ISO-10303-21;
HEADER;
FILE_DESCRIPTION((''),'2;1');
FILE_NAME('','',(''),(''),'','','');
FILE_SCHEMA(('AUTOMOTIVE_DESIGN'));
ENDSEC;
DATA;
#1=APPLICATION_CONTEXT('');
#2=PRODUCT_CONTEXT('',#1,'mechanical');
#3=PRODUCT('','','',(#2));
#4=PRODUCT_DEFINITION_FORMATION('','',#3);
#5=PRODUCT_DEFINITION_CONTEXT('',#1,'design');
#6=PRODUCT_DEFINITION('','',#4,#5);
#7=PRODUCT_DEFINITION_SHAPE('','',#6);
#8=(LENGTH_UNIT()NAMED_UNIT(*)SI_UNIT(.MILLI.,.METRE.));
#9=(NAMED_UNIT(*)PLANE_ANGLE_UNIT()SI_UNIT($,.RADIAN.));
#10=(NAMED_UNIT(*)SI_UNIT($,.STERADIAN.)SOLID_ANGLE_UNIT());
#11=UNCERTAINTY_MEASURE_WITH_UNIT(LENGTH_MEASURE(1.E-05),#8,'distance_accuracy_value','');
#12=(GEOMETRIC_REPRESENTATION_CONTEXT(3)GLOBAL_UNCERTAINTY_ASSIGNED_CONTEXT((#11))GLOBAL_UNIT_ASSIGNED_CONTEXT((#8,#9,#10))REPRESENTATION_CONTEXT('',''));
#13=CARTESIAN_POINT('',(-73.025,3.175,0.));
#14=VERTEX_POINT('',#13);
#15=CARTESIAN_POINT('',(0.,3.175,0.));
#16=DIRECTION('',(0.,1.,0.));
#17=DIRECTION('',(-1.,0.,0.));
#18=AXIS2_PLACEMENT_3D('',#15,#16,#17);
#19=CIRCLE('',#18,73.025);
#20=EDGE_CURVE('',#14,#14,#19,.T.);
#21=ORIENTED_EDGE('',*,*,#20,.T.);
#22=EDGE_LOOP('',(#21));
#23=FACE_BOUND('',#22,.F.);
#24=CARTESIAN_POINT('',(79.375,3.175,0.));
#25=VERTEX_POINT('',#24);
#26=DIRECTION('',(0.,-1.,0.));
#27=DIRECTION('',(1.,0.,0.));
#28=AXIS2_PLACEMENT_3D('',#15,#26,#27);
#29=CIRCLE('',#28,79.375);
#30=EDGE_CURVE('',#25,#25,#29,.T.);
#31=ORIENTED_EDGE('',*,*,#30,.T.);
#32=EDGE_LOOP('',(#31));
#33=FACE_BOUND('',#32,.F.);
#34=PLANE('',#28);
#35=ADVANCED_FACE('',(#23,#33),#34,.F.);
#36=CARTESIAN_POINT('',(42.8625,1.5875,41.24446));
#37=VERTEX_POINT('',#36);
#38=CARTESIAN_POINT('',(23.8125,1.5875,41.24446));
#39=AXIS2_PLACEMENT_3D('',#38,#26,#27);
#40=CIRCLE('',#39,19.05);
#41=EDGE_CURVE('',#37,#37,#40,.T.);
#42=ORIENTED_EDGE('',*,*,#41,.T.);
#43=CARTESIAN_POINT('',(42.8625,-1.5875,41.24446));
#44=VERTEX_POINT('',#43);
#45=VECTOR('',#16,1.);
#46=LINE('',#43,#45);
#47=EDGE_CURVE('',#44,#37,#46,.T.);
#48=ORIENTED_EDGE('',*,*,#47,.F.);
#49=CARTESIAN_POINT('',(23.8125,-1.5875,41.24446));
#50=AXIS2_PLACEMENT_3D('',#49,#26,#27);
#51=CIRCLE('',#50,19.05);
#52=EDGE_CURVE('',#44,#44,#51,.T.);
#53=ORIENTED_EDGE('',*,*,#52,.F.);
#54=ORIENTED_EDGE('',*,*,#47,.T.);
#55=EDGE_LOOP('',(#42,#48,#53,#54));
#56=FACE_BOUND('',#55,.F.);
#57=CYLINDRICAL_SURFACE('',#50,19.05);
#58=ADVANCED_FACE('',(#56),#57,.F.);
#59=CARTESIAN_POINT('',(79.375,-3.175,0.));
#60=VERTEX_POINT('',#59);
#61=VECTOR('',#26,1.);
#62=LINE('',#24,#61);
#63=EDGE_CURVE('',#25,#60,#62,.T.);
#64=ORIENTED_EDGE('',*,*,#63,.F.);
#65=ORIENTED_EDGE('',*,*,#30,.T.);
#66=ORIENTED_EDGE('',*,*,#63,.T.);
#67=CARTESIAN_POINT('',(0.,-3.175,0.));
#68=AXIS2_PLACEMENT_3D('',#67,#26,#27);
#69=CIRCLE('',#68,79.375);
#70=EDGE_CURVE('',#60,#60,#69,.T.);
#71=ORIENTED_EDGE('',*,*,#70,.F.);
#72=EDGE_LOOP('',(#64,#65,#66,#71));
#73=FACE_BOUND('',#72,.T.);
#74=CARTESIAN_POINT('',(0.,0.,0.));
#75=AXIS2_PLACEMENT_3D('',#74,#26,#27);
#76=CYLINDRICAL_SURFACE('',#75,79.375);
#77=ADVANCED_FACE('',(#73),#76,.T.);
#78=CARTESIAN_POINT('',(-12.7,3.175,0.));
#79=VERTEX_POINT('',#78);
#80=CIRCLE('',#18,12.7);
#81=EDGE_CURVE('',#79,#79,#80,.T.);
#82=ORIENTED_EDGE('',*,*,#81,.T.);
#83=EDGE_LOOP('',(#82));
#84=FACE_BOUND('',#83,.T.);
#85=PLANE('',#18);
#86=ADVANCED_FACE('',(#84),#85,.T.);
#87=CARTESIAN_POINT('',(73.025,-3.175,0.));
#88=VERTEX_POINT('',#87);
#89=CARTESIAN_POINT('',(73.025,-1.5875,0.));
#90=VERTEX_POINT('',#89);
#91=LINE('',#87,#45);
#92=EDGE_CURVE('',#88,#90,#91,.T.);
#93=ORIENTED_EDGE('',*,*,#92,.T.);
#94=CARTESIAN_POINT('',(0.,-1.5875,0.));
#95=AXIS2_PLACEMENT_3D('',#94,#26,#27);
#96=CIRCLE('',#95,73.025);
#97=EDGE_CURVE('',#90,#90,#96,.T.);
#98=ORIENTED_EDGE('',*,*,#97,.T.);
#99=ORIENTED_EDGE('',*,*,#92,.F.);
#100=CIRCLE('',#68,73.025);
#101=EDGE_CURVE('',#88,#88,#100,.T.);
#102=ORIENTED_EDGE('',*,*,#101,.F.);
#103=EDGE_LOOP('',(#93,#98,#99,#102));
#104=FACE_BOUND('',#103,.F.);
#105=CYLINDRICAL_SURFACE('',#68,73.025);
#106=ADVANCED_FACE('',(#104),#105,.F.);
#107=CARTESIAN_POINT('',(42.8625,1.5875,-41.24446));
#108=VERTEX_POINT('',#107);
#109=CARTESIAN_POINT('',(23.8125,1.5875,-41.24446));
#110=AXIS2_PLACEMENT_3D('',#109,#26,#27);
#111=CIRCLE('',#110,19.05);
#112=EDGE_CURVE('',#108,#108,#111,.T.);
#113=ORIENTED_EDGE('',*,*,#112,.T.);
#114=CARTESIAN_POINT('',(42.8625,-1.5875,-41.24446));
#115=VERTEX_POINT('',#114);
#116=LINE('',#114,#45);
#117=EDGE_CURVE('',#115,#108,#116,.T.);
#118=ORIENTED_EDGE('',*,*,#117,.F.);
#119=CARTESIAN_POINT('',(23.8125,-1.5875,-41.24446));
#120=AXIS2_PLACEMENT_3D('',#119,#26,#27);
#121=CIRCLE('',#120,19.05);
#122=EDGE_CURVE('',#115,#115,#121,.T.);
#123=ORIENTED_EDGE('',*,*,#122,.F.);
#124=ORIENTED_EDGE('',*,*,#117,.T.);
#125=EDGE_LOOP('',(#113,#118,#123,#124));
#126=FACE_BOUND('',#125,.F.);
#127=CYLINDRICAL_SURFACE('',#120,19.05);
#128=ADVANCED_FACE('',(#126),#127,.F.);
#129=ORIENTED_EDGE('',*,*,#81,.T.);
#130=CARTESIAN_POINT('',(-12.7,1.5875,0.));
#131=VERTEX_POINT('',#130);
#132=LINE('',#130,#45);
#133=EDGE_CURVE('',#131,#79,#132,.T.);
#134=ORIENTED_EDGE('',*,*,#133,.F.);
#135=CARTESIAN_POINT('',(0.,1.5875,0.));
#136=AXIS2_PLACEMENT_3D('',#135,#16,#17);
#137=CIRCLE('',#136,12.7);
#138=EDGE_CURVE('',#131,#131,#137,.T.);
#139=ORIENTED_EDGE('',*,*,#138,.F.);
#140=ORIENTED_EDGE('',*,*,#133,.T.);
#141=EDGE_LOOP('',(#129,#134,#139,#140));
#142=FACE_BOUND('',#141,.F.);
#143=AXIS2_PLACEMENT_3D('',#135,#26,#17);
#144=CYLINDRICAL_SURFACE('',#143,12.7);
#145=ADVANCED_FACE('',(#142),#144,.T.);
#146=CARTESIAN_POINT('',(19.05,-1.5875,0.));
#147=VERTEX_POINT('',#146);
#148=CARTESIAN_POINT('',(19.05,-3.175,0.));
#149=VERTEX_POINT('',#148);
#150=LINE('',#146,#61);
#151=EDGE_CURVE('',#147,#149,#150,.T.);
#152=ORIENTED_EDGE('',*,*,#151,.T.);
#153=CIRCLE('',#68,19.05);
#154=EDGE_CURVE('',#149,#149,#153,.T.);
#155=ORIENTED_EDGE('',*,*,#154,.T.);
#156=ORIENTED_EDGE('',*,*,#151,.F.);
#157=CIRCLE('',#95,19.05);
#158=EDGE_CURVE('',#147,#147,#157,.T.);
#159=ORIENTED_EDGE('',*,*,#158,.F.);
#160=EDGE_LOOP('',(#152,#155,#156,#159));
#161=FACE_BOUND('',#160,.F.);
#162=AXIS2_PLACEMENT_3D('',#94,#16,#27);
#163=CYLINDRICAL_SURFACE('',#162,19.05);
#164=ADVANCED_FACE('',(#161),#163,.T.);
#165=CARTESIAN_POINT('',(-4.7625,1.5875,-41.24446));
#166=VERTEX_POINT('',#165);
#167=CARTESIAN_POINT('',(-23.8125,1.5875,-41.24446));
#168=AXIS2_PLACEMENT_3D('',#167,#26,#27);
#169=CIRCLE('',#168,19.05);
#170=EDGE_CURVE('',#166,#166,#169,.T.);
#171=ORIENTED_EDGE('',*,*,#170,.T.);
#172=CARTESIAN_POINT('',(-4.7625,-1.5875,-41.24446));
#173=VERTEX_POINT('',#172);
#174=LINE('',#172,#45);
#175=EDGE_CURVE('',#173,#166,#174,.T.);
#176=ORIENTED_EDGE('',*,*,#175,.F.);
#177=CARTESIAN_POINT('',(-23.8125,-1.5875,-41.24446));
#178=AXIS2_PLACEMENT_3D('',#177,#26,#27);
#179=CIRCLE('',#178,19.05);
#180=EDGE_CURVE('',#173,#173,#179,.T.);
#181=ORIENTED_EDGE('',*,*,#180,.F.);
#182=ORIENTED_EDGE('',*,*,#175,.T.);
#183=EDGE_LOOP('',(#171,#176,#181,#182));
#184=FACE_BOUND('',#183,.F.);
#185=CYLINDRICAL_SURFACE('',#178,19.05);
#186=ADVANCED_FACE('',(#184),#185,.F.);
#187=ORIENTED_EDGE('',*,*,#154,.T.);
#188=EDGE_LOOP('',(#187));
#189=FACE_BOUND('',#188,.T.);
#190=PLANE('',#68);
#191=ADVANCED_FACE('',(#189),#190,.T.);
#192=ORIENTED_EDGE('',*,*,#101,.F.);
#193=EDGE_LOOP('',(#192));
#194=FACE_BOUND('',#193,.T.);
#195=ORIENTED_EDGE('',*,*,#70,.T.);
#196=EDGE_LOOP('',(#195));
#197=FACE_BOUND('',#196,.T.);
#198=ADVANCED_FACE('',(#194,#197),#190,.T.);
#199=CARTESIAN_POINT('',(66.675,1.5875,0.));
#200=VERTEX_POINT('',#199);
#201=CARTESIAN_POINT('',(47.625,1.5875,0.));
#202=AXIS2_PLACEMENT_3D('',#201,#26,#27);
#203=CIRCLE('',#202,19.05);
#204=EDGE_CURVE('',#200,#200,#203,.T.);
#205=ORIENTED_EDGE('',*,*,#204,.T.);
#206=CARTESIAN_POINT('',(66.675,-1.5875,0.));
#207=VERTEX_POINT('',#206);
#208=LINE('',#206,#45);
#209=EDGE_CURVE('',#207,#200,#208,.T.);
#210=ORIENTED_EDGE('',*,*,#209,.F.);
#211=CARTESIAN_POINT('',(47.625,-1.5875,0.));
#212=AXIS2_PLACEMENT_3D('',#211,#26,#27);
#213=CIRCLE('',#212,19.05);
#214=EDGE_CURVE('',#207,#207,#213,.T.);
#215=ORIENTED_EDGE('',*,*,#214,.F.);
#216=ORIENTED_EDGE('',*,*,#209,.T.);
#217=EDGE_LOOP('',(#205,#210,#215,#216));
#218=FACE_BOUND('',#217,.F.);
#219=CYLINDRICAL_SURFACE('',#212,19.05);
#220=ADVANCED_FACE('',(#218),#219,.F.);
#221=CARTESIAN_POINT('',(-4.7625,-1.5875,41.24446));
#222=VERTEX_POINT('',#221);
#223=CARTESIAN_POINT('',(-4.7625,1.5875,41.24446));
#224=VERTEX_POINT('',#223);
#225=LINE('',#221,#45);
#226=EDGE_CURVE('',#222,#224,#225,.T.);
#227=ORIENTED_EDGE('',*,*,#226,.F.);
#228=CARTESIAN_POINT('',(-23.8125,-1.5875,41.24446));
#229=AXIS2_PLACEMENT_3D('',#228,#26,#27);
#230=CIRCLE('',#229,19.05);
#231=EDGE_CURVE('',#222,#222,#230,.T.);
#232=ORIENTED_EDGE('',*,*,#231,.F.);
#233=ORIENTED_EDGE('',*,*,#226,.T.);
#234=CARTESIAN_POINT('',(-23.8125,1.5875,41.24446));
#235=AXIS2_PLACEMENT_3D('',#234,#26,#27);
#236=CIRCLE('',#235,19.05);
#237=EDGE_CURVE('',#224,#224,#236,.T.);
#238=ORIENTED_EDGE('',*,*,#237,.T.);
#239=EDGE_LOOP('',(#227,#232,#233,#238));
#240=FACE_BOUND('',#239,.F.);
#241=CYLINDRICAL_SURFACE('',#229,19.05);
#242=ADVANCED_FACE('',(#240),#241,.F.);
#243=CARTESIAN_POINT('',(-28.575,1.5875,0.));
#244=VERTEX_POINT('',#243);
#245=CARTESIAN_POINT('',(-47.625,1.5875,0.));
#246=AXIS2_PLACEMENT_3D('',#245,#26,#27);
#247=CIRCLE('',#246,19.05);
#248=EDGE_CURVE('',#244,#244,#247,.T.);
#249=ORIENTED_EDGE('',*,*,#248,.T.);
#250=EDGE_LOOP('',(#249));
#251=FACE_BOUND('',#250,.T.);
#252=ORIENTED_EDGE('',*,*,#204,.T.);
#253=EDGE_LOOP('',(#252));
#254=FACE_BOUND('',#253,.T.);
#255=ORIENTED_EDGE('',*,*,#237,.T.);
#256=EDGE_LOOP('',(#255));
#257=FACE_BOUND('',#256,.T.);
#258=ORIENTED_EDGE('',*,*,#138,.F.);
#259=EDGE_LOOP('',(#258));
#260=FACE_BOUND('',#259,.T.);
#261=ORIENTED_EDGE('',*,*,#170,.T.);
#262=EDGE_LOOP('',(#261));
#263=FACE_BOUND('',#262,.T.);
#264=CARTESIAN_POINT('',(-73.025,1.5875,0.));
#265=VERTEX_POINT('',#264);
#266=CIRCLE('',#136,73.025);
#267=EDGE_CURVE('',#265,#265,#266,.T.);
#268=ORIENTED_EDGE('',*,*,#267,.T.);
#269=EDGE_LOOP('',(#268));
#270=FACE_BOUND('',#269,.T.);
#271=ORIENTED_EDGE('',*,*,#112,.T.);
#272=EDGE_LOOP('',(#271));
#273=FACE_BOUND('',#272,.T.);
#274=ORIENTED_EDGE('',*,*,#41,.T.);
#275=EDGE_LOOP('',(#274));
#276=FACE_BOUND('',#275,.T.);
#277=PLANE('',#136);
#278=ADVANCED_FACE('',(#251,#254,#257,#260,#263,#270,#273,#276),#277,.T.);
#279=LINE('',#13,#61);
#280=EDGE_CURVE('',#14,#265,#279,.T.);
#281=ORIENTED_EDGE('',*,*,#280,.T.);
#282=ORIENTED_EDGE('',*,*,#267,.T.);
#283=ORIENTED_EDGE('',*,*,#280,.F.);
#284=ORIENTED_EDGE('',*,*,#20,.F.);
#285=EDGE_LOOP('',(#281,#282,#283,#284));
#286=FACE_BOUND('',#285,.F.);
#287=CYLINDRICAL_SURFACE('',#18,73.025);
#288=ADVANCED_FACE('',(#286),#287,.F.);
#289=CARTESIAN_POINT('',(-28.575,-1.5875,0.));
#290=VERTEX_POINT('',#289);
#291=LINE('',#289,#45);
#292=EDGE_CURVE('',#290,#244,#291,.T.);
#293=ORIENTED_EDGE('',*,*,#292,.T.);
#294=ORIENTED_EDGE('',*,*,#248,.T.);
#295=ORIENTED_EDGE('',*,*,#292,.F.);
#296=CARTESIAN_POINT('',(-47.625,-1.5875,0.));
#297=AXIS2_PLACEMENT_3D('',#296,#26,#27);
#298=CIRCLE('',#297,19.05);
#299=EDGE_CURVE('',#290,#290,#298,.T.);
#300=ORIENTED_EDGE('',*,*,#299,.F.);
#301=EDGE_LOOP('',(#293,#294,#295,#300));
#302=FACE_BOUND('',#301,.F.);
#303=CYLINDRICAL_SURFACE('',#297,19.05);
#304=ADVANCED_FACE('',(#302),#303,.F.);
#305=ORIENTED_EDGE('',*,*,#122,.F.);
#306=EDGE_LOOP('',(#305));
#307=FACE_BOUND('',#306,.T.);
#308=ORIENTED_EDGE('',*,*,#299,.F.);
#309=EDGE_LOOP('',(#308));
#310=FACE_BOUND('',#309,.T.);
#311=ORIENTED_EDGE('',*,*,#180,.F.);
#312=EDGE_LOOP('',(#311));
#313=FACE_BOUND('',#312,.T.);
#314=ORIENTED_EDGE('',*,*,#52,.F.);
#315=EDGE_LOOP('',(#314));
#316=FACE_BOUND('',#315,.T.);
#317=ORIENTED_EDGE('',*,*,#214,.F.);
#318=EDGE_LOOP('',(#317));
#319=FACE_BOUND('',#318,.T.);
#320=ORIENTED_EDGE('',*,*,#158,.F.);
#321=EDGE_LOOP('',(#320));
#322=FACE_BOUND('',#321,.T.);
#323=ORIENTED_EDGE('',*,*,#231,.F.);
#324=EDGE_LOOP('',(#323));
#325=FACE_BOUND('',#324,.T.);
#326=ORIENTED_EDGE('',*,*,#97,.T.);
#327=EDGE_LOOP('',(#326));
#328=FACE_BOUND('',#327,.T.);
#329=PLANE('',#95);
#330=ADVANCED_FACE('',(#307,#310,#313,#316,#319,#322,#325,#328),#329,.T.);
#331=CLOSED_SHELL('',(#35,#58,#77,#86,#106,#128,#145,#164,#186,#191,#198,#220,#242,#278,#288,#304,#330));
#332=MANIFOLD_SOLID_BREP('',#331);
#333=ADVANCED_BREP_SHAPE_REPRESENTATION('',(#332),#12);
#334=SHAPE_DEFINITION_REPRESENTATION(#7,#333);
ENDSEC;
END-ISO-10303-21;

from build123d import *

# Parameters (mm, degrees)
F0_R      = 79.375
F1_DEPTH  = 3.175
F2_R      = 73.025
F3_DEPTH  = 1.5875
F4_R      = 73.025
F5_DEPTH  = 1.5875
F6_R      = 19.05
F7_DEPTH  = 1.5875
F8_R      = 19.05
F9_DEPTH  = 25.4
F10_R     = 12.7
F11_DEPTH = 1.5875


with BuildPart() as f1:
    # F0 (on Front) → F1 (new body, symmetric)
    with BuildSketch(Plane.XZ):
        Circle(F0_R)
    extrude(amount=F1_DEPTH, both=True)

    # F2 (on face) → F3 (cut)
    with BuildSketch(Plane.XZ.offset(3.175)):
        Circle(F2_R)
    extrude(amount=-F3_DEPTH, mode=Mode.SUBTRACT)

    # F4 (on face) → F5 (cut)
    with BuildSketch(Plane(origin=(0, 3.175, 0), x_dir=(-1, 0, 0), z_dir=(0, 1, 0))):
        Circle(F4_R)
    extrude(amount=-F5_DEPTH, mode=Mode.SUBTRACT)

    # F6 (on face) → F7 (join)
    with BuildSketch(Plane.XZ.offset(1.5875)):
        Circle(F6_R)
    extrude(amount=F7_DEPTH)

    # F8 (on face) → F9 (cut)
    with BuildSketch(Plane.XZ.offset(1.5875)):
        with Locations((-23.8125, -41.24446)):
            Circle(F8_R)
        with Locations((-47.625, 0)):
            Circle(F8_R)
        with Locations((-23.8125, 41.24446)):
            Circle(F8_R)
        with Locations((23.8125, 41.24446)):
            Circle(F8_R)
        with Locations((47.625, 0)):
            Circle(F8_R)
        with Locations((23.8125, -41.24446)):
            Circle(F8_R)
    extrude(amount=-F9_DEPTH, mode=Mode.SUBTRACT)

    # F10 (on face) → F11 (join)
    with BuildSketch(Plane(origin=(0, 1.5875, 0), x_dir=(-1, 0, 0), z_dir=(0, 1, 0))):
        Circle(F10_R)
    extrude(amount=F11_DEPTH)


solid = f1.part
